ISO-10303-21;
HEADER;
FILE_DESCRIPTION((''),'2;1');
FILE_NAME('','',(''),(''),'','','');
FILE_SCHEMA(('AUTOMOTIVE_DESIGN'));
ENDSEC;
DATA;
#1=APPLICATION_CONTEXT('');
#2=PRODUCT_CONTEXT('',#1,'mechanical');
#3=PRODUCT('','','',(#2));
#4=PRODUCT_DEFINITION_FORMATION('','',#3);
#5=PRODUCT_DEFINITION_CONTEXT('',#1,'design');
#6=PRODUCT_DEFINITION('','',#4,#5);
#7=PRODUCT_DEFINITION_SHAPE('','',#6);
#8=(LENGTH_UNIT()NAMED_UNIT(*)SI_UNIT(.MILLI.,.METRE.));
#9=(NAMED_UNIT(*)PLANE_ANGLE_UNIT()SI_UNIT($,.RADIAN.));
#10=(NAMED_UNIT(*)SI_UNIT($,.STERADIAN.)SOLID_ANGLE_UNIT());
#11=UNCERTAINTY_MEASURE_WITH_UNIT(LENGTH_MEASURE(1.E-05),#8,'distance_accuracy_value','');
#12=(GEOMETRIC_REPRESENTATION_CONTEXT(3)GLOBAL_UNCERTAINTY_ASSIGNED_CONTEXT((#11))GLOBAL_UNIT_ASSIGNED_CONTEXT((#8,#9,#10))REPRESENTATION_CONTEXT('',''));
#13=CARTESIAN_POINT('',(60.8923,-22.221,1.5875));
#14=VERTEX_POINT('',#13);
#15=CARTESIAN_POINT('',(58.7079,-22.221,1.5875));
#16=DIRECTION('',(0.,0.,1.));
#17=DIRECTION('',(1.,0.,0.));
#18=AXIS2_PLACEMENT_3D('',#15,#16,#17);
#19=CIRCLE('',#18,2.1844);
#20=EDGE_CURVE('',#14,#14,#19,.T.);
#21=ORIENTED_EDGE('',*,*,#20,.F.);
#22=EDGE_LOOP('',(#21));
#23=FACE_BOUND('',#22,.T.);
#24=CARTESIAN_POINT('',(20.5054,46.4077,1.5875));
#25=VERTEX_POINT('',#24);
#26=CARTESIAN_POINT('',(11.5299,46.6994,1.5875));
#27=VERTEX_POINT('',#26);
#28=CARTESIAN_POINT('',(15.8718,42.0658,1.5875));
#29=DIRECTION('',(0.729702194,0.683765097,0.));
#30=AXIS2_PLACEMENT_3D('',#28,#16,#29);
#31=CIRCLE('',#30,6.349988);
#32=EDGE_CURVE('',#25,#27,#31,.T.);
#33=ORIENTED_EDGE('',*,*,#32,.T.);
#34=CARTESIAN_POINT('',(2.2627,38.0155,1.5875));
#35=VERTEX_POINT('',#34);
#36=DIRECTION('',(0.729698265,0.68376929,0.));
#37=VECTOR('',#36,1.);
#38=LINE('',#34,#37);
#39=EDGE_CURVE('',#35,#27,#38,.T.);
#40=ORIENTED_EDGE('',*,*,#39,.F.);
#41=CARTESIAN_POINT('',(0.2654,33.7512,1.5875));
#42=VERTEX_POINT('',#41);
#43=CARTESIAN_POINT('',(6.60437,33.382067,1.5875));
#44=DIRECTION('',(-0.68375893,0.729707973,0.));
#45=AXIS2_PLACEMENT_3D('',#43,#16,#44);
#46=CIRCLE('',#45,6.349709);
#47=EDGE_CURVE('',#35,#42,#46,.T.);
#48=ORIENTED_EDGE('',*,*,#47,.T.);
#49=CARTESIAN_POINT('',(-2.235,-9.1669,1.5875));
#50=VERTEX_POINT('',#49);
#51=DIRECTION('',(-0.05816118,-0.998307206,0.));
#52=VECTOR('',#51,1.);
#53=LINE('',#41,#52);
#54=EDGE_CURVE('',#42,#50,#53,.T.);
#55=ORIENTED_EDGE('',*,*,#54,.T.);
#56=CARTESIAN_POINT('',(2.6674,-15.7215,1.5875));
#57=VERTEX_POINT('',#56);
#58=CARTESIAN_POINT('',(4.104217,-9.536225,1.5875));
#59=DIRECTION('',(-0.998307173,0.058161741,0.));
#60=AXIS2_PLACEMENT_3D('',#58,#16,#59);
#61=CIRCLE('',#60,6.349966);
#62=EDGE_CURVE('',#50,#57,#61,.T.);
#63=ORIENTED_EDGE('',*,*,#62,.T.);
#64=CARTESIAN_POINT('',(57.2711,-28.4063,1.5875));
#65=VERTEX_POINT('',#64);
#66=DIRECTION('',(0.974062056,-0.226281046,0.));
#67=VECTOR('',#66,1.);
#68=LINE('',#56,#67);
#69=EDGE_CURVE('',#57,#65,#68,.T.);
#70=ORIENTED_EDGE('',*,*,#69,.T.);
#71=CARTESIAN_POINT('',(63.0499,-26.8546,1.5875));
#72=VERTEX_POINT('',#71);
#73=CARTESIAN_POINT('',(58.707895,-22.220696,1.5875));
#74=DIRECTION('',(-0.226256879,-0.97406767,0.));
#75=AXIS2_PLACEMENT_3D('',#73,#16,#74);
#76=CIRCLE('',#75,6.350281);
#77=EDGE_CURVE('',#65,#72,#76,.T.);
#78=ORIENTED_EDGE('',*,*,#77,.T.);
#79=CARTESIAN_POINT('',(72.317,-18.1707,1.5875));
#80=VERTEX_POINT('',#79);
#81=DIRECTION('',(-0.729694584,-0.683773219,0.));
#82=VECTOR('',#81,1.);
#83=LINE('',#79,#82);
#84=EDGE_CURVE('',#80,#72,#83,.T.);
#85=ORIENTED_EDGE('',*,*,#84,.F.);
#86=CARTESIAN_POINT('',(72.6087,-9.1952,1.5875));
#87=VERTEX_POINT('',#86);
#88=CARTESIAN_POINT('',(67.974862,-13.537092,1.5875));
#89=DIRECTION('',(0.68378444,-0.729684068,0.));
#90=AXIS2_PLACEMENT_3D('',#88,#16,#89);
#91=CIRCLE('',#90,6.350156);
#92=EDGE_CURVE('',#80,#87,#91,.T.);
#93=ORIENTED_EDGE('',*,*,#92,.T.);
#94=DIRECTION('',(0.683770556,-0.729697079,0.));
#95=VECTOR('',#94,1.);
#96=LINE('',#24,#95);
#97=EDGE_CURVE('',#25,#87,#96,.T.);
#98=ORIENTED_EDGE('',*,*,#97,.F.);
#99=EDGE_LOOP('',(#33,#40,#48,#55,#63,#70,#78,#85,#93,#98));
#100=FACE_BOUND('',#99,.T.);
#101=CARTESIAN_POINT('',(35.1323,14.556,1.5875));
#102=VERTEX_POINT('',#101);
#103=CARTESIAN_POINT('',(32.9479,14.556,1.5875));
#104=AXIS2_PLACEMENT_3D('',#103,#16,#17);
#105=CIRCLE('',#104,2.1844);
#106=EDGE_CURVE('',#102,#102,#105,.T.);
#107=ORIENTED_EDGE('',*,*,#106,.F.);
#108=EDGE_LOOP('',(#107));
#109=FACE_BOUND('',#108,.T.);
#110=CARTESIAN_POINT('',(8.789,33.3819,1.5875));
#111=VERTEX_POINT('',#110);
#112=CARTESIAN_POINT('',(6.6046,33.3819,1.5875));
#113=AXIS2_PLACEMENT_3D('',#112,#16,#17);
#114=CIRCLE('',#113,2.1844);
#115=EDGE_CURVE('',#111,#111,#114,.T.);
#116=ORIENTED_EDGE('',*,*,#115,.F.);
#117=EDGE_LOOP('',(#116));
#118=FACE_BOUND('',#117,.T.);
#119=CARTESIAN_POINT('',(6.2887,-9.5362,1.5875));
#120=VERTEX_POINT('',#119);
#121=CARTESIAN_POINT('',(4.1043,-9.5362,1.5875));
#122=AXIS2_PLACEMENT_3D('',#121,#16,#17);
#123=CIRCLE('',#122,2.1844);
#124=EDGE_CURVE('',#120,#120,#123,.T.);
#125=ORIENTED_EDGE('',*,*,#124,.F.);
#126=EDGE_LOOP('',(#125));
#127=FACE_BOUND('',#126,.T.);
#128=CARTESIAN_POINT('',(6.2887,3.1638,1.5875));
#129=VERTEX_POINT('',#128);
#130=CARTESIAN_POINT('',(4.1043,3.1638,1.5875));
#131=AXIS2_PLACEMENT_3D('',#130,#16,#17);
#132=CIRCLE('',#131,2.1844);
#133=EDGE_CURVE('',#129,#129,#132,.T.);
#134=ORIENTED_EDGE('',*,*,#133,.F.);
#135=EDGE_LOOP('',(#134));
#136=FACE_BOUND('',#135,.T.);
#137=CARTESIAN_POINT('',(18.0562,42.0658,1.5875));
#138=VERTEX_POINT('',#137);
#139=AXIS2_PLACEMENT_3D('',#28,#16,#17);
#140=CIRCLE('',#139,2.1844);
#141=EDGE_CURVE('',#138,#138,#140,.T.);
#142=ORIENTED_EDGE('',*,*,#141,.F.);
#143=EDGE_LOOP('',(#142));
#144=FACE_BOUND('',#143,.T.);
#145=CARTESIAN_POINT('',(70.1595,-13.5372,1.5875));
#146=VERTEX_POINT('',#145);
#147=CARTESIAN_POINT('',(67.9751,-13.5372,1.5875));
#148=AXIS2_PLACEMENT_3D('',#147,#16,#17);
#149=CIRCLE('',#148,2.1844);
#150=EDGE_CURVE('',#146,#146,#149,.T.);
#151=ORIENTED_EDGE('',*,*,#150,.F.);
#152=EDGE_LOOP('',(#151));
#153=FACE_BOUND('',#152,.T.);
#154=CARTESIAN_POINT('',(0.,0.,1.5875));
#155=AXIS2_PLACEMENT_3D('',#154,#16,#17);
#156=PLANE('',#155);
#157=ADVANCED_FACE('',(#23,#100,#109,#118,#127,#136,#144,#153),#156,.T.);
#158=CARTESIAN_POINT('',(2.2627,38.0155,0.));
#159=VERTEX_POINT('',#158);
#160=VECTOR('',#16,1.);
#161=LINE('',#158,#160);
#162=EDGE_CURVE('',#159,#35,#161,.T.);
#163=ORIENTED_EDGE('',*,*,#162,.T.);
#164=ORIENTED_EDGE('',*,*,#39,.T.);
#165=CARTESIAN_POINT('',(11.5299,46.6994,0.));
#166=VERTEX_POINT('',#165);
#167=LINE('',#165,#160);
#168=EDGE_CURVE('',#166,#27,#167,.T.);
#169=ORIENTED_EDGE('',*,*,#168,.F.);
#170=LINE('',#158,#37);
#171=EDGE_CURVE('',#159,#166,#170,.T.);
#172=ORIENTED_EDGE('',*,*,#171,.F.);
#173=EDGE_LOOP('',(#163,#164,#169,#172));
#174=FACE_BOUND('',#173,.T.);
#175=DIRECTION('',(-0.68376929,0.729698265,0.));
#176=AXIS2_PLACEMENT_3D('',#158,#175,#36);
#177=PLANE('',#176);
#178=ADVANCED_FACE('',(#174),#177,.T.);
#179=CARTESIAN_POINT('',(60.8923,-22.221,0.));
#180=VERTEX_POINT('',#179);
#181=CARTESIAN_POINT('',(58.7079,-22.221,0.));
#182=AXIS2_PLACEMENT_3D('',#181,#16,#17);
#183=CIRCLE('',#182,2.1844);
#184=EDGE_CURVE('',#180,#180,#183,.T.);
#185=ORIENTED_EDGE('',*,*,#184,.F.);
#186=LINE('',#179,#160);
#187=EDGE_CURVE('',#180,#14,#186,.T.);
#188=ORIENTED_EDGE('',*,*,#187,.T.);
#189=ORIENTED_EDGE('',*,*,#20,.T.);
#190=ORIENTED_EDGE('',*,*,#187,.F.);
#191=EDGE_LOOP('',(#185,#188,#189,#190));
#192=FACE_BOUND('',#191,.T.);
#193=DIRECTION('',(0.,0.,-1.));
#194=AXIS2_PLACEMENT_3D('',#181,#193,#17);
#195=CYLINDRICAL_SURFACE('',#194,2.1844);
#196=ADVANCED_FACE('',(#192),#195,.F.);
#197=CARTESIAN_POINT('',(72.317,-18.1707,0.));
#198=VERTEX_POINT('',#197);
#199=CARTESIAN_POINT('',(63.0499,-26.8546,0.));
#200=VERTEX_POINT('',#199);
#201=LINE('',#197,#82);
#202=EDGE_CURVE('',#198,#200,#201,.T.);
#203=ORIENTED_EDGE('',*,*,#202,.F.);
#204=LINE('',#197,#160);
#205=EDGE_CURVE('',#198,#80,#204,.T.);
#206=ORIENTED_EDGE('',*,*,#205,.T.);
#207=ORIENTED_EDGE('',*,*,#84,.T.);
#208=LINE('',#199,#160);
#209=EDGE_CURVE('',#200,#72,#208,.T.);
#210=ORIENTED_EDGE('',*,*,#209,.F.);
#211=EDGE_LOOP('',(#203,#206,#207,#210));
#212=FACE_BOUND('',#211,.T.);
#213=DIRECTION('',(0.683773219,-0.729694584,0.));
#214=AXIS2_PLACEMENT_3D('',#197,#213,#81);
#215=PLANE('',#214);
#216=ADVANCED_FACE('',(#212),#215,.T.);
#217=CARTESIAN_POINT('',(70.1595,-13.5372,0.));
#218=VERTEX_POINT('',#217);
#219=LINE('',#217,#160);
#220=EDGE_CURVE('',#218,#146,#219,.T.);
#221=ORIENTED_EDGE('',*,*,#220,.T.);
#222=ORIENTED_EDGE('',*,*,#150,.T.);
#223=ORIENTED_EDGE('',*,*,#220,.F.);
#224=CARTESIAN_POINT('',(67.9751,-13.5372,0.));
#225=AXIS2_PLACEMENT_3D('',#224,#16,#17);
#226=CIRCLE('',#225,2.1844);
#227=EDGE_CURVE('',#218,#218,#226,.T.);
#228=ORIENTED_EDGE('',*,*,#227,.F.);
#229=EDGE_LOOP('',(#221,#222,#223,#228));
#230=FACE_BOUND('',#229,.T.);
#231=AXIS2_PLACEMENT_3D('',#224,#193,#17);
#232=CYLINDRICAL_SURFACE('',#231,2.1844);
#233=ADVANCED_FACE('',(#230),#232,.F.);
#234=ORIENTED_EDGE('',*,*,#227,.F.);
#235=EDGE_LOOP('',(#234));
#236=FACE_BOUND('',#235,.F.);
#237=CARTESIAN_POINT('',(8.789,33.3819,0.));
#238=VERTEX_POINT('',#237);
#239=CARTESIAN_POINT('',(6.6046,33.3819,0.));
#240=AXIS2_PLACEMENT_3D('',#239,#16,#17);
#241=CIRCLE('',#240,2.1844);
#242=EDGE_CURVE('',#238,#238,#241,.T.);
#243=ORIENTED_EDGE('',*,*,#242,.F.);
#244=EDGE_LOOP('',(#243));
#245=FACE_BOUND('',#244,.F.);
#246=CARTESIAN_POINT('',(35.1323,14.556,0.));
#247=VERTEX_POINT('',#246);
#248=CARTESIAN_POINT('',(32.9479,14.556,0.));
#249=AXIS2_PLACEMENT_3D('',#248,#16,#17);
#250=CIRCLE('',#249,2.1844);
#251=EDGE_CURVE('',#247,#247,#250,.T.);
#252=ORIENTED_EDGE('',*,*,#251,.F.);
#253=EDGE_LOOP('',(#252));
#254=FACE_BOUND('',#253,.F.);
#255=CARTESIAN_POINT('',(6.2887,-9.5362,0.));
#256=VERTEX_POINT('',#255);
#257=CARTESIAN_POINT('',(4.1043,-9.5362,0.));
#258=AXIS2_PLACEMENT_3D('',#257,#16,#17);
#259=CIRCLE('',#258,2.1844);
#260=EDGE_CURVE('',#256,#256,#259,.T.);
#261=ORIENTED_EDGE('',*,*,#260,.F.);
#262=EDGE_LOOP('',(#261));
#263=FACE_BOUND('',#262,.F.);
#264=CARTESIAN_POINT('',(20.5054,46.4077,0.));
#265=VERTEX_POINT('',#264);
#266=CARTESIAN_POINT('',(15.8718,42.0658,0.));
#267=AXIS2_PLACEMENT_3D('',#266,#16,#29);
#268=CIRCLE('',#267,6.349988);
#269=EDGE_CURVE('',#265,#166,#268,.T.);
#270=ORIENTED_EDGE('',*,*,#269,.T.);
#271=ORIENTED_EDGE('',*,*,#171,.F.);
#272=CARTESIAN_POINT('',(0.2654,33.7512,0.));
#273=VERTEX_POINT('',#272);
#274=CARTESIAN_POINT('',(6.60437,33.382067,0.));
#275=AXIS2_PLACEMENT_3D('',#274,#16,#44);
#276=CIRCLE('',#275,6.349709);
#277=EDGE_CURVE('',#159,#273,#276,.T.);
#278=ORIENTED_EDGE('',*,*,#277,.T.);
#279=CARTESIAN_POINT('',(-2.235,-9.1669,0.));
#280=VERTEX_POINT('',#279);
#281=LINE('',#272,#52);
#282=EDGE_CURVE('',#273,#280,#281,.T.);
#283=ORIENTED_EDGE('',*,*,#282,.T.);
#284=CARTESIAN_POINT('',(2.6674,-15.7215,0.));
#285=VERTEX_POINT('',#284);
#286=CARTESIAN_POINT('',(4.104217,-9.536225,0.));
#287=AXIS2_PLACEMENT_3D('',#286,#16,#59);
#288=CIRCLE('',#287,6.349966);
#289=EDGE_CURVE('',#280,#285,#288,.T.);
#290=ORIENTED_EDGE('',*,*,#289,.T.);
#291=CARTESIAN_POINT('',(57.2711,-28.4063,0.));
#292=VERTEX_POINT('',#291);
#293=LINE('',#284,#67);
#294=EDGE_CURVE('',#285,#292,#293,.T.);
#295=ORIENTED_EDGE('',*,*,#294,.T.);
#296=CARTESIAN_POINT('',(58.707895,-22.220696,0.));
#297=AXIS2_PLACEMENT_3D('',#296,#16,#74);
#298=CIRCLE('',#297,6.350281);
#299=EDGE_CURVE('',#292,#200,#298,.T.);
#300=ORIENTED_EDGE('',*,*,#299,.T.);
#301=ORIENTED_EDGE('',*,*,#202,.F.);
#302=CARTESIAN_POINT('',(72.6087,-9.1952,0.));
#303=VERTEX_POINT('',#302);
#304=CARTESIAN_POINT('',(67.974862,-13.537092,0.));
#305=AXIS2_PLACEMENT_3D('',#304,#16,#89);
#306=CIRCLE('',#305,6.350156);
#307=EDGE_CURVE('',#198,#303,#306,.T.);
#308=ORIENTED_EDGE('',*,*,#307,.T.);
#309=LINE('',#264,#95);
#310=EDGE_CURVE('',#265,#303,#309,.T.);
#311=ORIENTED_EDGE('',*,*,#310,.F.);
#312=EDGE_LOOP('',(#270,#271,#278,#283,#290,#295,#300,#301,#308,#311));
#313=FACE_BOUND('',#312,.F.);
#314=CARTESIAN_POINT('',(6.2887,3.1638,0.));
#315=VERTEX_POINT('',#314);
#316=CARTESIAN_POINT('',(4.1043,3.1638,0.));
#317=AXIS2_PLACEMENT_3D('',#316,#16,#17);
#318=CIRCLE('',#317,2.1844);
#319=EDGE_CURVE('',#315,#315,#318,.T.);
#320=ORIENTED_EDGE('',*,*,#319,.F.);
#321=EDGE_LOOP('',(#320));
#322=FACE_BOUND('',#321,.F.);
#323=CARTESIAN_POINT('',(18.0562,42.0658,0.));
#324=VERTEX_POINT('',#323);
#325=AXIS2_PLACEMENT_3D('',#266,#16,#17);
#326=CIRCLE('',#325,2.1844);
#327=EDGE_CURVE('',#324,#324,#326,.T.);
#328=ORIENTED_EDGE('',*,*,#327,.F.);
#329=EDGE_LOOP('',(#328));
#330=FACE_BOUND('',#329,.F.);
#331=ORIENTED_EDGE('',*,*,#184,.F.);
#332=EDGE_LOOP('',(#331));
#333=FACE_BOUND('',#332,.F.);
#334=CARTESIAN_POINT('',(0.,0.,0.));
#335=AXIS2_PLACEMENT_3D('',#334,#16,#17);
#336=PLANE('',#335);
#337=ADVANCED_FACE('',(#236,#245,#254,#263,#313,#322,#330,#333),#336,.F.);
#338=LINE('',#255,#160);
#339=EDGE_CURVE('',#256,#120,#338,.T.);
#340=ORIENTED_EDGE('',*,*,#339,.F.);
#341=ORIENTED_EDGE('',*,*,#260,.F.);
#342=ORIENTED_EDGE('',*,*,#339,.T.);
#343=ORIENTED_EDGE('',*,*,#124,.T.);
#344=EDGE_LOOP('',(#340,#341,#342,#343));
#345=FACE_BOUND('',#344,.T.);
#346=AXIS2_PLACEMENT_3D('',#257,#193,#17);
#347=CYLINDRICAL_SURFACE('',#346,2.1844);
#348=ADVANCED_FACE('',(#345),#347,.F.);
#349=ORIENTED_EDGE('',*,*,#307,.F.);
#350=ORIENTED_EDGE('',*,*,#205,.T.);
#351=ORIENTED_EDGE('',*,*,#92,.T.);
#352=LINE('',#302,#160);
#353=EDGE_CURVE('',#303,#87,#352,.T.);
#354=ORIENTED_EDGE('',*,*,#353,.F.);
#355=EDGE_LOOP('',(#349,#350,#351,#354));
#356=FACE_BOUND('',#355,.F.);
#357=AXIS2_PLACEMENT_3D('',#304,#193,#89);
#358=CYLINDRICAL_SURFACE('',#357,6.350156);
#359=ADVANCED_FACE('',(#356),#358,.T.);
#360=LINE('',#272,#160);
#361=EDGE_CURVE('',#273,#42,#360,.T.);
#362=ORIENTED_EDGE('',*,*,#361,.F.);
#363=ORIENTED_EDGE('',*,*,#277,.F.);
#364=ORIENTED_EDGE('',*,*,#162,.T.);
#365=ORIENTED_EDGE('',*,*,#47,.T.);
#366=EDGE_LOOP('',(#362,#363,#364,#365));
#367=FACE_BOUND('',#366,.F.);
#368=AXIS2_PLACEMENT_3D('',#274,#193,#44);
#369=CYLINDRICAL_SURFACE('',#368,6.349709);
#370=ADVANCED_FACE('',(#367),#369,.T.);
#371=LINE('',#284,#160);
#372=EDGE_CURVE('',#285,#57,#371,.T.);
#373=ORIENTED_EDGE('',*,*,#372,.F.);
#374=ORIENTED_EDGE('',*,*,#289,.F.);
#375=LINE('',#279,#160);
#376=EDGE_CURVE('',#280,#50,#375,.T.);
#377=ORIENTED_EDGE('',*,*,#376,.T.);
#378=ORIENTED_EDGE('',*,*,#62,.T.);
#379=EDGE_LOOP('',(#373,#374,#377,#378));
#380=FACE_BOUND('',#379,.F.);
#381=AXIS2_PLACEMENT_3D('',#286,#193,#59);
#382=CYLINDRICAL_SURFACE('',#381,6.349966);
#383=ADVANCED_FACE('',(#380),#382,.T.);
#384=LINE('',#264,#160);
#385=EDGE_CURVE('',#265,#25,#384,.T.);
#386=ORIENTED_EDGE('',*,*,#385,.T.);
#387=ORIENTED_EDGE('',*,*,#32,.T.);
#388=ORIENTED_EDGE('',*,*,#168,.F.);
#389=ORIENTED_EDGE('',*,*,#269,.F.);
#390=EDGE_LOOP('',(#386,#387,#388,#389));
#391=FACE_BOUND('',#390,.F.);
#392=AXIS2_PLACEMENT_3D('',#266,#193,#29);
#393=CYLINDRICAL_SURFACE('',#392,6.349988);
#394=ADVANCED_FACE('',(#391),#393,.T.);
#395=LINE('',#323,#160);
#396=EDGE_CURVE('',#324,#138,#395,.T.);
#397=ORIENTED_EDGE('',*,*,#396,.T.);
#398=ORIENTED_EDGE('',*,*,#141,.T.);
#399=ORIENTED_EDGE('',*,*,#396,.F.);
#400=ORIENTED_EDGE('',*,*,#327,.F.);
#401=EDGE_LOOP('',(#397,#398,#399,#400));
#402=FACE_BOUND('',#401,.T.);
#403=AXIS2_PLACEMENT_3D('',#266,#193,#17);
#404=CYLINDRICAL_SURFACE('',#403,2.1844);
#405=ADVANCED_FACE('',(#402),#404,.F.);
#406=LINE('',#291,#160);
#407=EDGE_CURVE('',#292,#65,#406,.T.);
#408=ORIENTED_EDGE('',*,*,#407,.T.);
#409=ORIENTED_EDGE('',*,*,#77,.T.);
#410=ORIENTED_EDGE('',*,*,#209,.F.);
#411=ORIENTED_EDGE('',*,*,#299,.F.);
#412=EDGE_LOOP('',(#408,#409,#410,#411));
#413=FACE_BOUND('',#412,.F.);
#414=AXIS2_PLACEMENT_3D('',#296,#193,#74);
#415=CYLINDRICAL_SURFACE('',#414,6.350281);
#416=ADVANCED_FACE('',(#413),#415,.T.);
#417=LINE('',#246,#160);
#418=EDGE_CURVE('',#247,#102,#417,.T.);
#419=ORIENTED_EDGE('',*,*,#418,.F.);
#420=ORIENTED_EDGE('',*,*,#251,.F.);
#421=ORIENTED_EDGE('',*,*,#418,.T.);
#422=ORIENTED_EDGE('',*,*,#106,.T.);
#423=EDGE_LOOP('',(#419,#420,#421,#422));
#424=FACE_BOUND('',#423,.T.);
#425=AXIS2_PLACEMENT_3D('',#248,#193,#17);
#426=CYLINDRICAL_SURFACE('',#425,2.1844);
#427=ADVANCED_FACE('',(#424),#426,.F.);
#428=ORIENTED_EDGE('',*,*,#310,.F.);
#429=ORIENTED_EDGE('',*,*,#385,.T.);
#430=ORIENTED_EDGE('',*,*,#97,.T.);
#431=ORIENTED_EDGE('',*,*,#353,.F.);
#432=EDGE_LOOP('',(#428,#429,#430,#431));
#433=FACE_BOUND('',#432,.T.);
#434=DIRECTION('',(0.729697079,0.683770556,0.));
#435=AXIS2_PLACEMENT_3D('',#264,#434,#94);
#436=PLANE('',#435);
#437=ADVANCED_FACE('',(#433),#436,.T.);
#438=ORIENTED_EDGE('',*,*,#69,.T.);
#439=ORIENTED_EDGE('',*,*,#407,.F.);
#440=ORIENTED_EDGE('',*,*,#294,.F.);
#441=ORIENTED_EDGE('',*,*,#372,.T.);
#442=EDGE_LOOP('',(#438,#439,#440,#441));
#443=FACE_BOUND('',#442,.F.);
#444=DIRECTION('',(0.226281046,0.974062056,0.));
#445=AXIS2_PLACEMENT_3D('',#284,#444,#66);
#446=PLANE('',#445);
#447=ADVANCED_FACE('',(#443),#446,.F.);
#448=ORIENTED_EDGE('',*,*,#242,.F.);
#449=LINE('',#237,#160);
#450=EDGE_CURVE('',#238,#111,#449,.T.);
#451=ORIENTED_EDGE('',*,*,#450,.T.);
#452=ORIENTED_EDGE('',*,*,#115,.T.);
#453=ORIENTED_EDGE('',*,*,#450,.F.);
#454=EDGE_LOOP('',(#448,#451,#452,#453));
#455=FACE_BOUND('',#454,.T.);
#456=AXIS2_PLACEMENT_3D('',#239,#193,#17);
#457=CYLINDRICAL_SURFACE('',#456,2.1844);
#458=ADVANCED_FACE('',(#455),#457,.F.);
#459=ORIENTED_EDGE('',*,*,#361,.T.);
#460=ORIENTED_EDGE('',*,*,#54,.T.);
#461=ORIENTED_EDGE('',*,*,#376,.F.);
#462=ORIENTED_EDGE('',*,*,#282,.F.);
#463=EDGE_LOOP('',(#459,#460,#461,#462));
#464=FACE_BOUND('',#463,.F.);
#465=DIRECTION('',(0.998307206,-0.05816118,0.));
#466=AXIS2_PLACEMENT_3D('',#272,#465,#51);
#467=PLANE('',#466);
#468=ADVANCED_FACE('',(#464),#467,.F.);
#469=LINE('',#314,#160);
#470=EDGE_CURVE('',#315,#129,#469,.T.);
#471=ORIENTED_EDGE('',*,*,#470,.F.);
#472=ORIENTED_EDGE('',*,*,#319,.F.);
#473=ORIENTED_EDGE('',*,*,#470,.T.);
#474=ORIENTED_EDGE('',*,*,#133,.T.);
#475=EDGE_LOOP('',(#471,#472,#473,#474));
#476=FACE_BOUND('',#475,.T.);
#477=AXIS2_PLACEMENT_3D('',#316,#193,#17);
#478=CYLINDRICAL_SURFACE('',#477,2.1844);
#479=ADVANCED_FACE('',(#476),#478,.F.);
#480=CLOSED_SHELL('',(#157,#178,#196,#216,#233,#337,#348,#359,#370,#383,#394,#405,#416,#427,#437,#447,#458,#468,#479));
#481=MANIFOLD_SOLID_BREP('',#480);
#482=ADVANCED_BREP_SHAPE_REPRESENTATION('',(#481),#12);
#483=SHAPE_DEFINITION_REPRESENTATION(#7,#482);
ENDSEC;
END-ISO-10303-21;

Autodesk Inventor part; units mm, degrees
ref_plane "YZ Plane" through (0, 0, 0) normal (1, 0, 0) x (0, 1, 0)
ref_plane "XZ Plane" through (0, 0, 0) normal (0, 1, 0) x (-1, 0, 0)
ref_plane "XY Plane" through (0, 0, 0) normal (0, 0, 1) x (1, 0, 0)
sketch "Sketch1" plane through (0, 0, 0) normal (0, 0, 1) x (1, 0, 0)
  circle A0 centre (58.7079, -22.221) radius 2.1844
  circle A1 centre (67.9751, -13.5372) radius 2.1844
  circle A2 centre (4.1043, 3.1638) radius 2.1844
  circle A3 centre (4.1043, -9.5362) radius 2.1844
  circle A4 centre (15.8718, 42.0658) radius 2.1844
  circle A5 centre (6.6046, 33.3819) radius 2.1844
  arc A6 (2.2627, 38.0155) -> (0.2654, 33.7512) centre (6.6046, 33.3819) ccw
  arc A7 (20.5054, 46.4077) -> (11.5299, 46.6994) centre (15.8718, 42.0658) ccw
  arc A8 (-2.235, -9.1669) -> (2.6674, -15.7215) centre (4.1043, -9.5362) ccw
  arc A9 (57.2711, -28.4063) -> (63.0499, -26.8546) centre (58.7079, -22.221) ccw
  arc A10 (72.317, -18.1707) -> (72.6087, -9.1952) centre (67.9751, -13.5372) ccw
  line L0 (20.5054, 46.4077) -> (72.6087, -9.1952)
  line L1 (72.317, -18.1707) -> (63.0499, -26.8546)
  line L2 (2.6674, -15.7215) -> (57.2711, -28.4063)
  line L3 (0.2654, 33.7512) -> (-2.235, -9.1669)
  line L4 (2.2627, 38.0155) -> (11.5299, 46.6994)
  circle A11 centre (32.9479, 14.556) radius 2.1844
  dimension "d8" = 12.7
  dimension "d9" = 12.7
  dimension "d10" = 12.7
  dimension "d11" = 12.7
  dimension "d12" = 12.7
  dimension "d14" = 4.3688
extrude "Extrusion1" add sketch "Sketch1" along normal blind 1.5875
properties part number "2-Gearbox"
